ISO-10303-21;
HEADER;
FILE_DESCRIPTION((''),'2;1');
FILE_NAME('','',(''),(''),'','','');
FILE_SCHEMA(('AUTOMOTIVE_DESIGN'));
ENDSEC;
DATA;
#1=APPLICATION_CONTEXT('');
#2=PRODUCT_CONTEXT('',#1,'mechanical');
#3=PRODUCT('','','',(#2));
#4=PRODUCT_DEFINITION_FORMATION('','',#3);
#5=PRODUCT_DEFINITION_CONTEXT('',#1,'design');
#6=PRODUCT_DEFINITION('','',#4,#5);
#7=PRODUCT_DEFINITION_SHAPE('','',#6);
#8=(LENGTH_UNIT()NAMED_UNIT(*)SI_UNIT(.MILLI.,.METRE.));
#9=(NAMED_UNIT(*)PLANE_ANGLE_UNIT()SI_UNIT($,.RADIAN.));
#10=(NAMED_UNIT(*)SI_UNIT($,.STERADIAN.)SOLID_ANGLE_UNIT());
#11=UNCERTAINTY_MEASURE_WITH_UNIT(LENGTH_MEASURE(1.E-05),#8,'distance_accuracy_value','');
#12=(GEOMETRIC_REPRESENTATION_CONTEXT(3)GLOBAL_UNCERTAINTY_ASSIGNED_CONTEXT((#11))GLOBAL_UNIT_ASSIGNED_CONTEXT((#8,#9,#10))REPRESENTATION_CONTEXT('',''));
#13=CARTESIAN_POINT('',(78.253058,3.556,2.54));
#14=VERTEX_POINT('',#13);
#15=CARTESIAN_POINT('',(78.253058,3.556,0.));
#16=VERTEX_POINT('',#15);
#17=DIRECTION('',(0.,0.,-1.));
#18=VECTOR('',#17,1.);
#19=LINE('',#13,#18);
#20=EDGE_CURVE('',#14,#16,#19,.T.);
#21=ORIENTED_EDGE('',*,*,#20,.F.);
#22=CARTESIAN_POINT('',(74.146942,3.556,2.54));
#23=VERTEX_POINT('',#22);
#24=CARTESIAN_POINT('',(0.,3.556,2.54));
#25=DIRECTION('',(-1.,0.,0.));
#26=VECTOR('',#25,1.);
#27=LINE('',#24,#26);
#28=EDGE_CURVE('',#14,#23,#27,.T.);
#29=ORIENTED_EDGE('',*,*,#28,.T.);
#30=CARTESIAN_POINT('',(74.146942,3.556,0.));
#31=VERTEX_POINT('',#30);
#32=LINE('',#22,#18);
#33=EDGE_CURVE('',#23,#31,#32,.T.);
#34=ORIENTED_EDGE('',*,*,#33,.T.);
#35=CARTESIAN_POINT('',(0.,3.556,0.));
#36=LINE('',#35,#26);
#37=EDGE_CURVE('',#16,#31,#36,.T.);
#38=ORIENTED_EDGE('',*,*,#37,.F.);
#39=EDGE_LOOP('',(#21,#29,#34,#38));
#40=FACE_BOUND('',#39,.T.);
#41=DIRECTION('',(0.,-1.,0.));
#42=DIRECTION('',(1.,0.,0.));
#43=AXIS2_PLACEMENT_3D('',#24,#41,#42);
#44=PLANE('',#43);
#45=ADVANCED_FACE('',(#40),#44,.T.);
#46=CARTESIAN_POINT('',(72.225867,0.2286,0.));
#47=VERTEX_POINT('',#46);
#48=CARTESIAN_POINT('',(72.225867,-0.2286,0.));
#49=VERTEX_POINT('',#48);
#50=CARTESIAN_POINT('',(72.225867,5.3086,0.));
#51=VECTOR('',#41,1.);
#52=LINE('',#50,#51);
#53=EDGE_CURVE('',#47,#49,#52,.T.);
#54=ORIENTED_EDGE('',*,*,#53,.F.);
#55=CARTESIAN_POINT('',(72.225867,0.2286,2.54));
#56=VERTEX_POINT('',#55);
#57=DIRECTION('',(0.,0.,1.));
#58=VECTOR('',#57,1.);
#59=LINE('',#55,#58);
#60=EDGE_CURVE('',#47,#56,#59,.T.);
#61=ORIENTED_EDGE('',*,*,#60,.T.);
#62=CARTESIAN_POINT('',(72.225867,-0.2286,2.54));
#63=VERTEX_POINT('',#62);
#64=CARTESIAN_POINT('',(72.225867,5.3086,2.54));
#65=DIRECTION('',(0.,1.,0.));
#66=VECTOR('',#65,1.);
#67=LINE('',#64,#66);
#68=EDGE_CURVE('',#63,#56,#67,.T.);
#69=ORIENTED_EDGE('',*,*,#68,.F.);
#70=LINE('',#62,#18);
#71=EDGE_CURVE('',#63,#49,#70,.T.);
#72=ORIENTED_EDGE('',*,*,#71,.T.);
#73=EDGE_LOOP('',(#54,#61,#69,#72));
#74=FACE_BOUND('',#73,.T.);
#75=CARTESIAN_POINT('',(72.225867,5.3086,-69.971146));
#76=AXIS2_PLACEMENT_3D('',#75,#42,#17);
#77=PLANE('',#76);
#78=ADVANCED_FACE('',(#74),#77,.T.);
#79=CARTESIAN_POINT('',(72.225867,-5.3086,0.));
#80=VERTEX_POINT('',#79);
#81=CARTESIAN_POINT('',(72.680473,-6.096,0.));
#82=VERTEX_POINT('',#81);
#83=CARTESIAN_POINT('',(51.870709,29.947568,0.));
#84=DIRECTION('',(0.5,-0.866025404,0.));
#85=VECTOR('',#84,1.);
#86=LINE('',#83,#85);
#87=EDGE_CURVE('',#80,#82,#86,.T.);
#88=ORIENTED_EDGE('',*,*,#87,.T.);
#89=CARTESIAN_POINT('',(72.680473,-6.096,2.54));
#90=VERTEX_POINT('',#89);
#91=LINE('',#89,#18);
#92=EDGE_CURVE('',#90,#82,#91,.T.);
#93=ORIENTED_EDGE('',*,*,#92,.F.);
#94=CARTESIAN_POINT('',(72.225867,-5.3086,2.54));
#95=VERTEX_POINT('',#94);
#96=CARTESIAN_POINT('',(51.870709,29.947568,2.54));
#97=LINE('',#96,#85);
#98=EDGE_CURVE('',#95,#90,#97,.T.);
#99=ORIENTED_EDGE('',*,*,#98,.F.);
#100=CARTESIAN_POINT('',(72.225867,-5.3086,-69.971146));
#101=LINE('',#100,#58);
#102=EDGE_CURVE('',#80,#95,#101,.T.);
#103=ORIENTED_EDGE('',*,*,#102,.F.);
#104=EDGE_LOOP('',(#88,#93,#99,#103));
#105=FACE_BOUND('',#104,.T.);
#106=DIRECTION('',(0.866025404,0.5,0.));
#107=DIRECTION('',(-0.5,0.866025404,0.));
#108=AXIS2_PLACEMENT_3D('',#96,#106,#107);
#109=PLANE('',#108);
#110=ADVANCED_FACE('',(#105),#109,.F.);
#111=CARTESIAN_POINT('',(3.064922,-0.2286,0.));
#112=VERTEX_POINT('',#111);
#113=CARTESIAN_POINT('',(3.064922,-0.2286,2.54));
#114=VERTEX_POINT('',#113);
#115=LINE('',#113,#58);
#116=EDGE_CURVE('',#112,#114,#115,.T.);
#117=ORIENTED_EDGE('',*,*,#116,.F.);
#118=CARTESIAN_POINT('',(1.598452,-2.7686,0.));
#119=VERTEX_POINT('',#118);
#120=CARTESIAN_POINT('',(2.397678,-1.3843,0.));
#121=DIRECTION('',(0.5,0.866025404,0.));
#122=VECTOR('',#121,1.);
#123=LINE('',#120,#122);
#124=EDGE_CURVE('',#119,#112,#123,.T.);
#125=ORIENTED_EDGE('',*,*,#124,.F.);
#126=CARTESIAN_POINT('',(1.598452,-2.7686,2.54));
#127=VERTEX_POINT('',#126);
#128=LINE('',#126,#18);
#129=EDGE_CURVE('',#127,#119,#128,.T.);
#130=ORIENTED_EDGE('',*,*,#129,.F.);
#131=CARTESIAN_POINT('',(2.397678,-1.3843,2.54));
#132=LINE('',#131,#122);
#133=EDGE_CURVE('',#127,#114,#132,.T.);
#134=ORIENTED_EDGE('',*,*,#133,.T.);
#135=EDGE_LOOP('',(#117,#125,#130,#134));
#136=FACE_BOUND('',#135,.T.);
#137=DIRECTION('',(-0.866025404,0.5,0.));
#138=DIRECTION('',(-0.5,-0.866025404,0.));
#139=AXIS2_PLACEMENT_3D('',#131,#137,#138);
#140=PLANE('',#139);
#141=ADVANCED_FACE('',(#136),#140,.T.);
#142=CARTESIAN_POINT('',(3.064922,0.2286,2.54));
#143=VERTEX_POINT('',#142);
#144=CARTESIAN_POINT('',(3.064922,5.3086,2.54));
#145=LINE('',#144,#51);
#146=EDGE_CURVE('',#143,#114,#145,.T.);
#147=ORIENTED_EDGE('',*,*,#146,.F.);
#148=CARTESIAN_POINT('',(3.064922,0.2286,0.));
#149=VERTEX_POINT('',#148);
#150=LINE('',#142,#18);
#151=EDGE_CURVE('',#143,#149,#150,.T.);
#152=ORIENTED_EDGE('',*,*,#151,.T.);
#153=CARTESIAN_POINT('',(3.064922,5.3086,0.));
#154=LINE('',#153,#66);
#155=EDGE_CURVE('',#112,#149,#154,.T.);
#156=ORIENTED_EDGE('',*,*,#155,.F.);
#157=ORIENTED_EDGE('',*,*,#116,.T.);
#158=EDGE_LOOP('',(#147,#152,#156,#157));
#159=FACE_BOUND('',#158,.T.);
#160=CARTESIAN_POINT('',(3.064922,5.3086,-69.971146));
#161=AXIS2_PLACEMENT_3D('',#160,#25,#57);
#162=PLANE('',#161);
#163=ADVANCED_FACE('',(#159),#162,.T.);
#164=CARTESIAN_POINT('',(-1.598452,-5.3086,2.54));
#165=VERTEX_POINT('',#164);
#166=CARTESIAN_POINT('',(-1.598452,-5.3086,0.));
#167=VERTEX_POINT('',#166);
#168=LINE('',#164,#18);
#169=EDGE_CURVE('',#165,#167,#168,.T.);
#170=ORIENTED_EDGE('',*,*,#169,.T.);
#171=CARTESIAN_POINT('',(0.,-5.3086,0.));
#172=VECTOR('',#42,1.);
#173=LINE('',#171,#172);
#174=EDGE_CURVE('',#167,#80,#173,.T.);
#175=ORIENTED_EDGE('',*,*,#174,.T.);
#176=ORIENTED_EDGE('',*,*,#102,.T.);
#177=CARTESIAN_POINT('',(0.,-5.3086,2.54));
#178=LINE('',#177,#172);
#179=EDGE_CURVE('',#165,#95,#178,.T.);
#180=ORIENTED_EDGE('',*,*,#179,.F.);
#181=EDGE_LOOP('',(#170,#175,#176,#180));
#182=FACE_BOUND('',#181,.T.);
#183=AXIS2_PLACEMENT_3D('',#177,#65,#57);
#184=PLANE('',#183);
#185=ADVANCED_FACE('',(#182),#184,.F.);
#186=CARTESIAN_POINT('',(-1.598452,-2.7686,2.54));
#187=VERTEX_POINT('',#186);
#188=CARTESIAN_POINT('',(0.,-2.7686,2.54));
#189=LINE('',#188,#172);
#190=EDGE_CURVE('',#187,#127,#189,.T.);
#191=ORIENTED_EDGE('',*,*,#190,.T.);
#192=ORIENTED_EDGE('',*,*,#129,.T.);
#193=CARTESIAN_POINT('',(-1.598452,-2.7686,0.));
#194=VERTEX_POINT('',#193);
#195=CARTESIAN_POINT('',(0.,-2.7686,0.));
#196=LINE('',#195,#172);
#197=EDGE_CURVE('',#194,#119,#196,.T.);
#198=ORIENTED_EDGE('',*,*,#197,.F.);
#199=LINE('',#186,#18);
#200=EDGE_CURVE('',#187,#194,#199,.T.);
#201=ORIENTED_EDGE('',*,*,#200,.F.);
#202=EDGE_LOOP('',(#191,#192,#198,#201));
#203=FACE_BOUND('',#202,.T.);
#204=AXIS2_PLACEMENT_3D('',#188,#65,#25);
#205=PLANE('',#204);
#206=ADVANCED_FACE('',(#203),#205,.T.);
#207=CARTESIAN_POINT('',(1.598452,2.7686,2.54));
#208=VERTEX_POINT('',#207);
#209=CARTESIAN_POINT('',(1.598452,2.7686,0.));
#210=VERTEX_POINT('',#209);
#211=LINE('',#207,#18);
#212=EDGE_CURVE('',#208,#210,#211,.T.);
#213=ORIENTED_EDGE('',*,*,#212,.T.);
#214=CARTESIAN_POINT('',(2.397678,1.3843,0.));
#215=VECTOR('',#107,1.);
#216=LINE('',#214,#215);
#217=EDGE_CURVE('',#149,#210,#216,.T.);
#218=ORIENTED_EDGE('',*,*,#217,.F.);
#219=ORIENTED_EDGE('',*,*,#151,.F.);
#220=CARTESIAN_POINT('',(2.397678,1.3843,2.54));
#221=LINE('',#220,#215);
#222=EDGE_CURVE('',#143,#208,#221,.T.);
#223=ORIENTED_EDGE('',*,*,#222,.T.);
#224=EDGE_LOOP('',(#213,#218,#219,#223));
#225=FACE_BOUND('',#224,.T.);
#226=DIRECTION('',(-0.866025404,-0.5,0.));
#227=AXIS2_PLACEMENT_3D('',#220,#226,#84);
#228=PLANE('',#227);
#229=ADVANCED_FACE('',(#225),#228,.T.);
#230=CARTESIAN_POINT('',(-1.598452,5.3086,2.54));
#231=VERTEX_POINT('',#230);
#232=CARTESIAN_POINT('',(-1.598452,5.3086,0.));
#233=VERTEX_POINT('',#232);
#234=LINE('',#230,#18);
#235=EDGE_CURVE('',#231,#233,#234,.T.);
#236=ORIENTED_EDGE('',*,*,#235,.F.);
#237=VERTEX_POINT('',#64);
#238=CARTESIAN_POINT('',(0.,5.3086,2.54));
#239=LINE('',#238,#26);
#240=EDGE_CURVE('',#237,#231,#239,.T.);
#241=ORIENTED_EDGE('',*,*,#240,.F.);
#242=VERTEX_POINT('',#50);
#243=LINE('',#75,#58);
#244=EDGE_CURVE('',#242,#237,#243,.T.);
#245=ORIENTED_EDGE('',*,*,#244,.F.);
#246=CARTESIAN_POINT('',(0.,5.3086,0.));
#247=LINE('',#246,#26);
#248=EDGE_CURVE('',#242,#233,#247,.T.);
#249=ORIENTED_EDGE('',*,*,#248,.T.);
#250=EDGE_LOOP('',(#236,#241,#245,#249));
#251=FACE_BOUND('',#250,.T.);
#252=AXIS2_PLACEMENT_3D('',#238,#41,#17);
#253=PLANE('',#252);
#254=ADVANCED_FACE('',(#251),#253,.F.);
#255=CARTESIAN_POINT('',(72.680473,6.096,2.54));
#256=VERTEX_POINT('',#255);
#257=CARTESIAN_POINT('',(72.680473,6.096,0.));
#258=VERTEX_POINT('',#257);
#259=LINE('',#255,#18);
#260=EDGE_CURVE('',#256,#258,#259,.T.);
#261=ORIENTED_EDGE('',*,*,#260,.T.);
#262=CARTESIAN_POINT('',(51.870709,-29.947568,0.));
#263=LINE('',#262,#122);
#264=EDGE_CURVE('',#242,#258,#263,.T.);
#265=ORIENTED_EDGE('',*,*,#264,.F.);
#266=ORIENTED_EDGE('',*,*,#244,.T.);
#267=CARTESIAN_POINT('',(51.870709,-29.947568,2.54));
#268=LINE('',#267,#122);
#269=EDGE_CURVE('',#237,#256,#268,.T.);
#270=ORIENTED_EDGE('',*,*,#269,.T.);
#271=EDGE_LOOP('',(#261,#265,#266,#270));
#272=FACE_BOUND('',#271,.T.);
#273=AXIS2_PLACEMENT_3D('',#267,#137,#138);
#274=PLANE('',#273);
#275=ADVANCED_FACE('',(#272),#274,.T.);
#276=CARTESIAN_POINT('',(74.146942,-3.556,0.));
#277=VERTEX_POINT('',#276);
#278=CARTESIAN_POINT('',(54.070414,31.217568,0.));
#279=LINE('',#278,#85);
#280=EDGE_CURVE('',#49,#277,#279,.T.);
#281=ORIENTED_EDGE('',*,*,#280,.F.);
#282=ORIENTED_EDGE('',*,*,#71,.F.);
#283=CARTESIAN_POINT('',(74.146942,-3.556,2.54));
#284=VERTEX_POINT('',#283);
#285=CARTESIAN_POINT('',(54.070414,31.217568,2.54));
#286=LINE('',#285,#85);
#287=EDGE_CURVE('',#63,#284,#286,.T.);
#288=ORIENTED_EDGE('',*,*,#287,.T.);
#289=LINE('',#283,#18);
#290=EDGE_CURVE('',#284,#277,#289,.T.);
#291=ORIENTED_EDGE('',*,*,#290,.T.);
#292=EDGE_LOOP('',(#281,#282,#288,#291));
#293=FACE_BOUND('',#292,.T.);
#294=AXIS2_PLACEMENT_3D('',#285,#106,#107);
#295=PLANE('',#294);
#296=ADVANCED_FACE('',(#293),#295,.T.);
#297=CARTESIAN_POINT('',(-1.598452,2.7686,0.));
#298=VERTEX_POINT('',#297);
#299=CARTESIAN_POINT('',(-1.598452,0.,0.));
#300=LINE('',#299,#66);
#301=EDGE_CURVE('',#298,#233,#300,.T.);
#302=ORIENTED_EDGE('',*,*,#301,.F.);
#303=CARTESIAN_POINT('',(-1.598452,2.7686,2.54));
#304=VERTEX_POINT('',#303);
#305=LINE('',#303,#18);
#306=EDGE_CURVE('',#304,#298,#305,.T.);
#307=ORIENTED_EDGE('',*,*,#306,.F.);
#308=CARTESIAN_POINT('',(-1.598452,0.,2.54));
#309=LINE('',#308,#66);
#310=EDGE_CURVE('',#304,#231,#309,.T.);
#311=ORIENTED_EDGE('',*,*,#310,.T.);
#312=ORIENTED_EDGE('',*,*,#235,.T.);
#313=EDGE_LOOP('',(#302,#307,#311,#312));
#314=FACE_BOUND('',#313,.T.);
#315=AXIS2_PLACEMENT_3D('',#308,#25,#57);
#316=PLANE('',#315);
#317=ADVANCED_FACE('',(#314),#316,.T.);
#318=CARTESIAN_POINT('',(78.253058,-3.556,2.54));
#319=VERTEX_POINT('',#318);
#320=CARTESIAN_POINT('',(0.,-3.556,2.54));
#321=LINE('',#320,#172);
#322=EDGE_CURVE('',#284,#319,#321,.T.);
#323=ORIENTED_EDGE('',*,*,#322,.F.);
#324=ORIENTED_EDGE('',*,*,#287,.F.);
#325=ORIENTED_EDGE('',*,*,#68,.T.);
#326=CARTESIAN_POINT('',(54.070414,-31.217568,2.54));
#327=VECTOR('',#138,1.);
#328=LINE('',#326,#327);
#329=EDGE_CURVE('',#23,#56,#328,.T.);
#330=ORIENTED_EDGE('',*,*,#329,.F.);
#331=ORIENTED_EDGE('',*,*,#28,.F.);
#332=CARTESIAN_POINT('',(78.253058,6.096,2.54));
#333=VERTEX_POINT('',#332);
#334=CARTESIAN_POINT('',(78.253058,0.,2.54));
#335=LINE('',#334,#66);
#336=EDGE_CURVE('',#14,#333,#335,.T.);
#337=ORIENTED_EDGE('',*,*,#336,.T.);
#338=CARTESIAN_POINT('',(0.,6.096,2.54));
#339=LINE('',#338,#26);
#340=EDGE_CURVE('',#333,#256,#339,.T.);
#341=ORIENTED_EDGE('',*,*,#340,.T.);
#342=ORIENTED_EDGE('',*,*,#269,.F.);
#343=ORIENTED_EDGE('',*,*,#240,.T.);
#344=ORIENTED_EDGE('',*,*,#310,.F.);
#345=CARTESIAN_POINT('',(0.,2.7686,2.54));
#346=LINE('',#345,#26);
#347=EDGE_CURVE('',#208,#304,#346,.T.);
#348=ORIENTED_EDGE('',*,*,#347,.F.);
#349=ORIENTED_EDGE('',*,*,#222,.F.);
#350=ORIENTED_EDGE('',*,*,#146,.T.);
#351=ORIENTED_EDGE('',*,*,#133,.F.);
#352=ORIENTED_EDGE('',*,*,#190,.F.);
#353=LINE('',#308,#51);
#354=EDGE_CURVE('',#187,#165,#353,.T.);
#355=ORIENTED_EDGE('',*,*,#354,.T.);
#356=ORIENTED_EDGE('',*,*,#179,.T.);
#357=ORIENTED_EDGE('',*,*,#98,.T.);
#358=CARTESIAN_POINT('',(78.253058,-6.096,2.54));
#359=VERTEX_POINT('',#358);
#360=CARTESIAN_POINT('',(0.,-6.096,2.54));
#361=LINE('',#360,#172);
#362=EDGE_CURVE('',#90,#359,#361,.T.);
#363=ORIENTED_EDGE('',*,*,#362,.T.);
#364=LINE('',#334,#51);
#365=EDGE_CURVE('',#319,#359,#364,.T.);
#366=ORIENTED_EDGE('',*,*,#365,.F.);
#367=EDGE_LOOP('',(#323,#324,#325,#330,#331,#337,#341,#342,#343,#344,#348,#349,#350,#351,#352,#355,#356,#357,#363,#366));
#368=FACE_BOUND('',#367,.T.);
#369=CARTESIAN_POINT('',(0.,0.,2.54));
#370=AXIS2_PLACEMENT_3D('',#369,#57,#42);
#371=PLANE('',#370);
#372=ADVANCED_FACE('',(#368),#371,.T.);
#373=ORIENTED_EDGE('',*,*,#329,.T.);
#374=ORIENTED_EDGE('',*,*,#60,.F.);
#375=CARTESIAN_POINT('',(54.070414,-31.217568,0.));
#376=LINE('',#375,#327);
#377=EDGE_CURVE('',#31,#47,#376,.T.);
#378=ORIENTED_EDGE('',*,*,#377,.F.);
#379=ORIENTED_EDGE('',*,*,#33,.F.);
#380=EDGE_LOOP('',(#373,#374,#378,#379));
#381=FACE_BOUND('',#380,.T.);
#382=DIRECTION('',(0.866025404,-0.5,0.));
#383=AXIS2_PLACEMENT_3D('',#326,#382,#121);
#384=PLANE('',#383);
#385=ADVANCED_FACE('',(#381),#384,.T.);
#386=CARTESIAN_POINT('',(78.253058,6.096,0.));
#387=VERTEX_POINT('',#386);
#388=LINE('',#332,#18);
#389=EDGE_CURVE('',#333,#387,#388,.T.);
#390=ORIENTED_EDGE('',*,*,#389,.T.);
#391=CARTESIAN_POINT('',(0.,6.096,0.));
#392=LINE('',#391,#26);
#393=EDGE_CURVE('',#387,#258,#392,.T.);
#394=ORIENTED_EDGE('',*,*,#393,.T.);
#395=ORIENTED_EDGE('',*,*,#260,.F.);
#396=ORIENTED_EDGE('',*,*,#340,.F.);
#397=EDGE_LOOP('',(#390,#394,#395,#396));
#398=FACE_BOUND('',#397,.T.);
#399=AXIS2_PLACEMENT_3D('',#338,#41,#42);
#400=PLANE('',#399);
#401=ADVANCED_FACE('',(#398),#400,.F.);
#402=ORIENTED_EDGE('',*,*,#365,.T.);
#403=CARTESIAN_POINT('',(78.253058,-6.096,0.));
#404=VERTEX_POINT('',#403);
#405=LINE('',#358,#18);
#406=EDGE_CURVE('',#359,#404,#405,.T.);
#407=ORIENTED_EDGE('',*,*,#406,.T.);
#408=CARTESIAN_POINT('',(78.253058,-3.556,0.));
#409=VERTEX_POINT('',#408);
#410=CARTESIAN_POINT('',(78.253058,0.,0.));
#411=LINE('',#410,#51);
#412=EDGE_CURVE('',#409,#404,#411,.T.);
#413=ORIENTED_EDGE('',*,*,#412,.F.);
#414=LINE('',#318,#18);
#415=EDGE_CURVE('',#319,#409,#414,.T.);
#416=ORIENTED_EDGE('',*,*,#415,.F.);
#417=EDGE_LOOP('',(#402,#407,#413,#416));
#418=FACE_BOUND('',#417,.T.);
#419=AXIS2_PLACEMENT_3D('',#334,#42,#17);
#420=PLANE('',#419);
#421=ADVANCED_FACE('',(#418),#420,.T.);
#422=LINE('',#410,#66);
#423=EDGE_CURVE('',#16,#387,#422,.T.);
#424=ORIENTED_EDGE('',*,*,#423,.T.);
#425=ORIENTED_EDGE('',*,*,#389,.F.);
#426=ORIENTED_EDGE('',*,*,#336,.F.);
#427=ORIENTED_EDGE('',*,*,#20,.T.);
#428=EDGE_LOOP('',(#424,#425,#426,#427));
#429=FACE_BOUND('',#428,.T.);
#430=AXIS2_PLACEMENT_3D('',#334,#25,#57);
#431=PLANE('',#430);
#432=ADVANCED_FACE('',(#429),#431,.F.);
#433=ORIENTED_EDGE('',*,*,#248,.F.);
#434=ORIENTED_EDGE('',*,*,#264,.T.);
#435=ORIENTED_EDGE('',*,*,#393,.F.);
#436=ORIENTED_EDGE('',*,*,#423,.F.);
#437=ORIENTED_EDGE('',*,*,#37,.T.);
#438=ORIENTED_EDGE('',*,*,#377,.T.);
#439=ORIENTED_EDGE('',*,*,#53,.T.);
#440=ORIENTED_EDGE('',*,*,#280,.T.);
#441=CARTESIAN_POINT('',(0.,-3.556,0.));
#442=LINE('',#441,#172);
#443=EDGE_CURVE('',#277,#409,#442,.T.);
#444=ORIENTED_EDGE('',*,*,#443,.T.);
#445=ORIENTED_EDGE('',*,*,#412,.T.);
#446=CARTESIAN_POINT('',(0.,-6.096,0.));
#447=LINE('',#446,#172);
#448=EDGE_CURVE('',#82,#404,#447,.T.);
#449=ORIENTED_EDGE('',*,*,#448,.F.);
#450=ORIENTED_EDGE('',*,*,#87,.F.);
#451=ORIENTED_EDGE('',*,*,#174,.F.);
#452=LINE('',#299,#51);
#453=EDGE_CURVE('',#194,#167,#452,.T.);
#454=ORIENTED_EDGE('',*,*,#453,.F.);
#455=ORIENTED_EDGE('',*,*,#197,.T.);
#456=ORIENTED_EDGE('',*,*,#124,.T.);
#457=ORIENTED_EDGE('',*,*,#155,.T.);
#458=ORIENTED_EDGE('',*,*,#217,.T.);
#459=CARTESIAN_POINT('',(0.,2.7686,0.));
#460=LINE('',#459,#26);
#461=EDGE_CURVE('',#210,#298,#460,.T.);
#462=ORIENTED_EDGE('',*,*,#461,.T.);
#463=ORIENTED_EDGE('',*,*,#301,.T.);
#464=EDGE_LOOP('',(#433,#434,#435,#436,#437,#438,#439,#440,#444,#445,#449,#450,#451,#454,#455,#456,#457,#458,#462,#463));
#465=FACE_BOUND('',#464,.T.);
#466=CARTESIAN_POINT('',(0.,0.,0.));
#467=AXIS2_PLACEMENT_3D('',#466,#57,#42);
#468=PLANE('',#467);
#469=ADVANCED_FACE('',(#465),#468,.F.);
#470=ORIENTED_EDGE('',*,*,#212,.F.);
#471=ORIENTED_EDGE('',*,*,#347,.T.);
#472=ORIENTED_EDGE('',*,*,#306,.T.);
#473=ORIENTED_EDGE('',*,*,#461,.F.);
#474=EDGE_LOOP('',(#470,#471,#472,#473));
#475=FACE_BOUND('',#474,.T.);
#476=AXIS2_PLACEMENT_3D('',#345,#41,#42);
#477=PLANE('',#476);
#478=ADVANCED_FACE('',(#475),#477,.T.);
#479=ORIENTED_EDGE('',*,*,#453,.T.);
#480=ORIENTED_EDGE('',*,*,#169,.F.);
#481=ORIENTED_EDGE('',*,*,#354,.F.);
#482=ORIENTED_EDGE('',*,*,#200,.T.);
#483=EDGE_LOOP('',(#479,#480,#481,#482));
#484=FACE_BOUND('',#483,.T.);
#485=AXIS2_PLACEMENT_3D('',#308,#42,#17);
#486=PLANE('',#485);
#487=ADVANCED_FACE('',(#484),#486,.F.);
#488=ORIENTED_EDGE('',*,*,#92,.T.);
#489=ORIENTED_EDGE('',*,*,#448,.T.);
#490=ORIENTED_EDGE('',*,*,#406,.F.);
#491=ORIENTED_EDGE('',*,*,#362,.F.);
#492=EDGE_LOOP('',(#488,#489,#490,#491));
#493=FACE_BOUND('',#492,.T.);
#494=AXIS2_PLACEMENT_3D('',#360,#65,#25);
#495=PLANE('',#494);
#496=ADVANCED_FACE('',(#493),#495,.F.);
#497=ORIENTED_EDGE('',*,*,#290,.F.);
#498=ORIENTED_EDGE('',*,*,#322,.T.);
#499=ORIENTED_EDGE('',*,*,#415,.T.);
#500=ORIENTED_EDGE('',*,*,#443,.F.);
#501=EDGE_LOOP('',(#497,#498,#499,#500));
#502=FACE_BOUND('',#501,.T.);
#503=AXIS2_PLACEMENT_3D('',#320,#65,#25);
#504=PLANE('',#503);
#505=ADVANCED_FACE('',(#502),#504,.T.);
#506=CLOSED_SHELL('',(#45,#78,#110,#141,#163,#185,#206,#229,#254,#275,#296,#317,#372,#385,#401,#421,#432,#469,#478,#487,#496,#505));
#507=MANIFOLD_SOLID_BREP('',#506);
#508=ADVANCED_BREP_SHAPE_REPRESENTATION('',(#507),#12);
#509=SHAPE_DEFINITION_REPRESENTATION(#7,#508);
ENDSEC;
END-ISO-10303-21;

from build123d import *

# Parameters (mm, degrees)
BOSS_EXTRUDE1_DEPTH = 2.54
SKETCH3_W           = 69.160945518
SKETCH3_H           = 10.6172
BOSS_EXTRUDE2_DEPTH = 2.54


with BuildPart() as part:
    # Sketch1 → Boss-Extrude1 (new body)
    with BuildSketch(Plane.XY):
        Polygon((70.693406338, 2.6543), (72.680472759, 6.096), (78.253057557, 6.096), (78.253057557, 3.556), (74.146942443, 3.556), (72.093884886, 0), (74.146942443, -3.556), (78.253057557, -3.556), (78.253057557, -6.096), (72.680472759, -6.096), (70.693406338, -2.6543), (4.597382459, -2.6543), (3.064921639, -5.3086), (-1.598451955, -5.3086), (-1.598451955, -2.7686), (1.598451955, -2.7686), (3.196903911, 0), (1.598451955, 2.7686), (-1.598451955, 2.7686), (-1.598451955, 5.3086), (3.064921639, 5.3086), (4.597382459, 2.6543), align=None)
    extrude(amount=BOSS_EXTRUDE1_DEPTH)

    # Sketch3 → Boss-Extrude2 (add)
    with BuildSketch(Plane.XY.offset(2.54)):
        with Locations((37.645394398, 0)):
            Rectangle(SKETCH3_W, SKETCH3_H)
    extrude(amount=-BOSS_EXTRUDE2_DEPTH)


solid = part.part
